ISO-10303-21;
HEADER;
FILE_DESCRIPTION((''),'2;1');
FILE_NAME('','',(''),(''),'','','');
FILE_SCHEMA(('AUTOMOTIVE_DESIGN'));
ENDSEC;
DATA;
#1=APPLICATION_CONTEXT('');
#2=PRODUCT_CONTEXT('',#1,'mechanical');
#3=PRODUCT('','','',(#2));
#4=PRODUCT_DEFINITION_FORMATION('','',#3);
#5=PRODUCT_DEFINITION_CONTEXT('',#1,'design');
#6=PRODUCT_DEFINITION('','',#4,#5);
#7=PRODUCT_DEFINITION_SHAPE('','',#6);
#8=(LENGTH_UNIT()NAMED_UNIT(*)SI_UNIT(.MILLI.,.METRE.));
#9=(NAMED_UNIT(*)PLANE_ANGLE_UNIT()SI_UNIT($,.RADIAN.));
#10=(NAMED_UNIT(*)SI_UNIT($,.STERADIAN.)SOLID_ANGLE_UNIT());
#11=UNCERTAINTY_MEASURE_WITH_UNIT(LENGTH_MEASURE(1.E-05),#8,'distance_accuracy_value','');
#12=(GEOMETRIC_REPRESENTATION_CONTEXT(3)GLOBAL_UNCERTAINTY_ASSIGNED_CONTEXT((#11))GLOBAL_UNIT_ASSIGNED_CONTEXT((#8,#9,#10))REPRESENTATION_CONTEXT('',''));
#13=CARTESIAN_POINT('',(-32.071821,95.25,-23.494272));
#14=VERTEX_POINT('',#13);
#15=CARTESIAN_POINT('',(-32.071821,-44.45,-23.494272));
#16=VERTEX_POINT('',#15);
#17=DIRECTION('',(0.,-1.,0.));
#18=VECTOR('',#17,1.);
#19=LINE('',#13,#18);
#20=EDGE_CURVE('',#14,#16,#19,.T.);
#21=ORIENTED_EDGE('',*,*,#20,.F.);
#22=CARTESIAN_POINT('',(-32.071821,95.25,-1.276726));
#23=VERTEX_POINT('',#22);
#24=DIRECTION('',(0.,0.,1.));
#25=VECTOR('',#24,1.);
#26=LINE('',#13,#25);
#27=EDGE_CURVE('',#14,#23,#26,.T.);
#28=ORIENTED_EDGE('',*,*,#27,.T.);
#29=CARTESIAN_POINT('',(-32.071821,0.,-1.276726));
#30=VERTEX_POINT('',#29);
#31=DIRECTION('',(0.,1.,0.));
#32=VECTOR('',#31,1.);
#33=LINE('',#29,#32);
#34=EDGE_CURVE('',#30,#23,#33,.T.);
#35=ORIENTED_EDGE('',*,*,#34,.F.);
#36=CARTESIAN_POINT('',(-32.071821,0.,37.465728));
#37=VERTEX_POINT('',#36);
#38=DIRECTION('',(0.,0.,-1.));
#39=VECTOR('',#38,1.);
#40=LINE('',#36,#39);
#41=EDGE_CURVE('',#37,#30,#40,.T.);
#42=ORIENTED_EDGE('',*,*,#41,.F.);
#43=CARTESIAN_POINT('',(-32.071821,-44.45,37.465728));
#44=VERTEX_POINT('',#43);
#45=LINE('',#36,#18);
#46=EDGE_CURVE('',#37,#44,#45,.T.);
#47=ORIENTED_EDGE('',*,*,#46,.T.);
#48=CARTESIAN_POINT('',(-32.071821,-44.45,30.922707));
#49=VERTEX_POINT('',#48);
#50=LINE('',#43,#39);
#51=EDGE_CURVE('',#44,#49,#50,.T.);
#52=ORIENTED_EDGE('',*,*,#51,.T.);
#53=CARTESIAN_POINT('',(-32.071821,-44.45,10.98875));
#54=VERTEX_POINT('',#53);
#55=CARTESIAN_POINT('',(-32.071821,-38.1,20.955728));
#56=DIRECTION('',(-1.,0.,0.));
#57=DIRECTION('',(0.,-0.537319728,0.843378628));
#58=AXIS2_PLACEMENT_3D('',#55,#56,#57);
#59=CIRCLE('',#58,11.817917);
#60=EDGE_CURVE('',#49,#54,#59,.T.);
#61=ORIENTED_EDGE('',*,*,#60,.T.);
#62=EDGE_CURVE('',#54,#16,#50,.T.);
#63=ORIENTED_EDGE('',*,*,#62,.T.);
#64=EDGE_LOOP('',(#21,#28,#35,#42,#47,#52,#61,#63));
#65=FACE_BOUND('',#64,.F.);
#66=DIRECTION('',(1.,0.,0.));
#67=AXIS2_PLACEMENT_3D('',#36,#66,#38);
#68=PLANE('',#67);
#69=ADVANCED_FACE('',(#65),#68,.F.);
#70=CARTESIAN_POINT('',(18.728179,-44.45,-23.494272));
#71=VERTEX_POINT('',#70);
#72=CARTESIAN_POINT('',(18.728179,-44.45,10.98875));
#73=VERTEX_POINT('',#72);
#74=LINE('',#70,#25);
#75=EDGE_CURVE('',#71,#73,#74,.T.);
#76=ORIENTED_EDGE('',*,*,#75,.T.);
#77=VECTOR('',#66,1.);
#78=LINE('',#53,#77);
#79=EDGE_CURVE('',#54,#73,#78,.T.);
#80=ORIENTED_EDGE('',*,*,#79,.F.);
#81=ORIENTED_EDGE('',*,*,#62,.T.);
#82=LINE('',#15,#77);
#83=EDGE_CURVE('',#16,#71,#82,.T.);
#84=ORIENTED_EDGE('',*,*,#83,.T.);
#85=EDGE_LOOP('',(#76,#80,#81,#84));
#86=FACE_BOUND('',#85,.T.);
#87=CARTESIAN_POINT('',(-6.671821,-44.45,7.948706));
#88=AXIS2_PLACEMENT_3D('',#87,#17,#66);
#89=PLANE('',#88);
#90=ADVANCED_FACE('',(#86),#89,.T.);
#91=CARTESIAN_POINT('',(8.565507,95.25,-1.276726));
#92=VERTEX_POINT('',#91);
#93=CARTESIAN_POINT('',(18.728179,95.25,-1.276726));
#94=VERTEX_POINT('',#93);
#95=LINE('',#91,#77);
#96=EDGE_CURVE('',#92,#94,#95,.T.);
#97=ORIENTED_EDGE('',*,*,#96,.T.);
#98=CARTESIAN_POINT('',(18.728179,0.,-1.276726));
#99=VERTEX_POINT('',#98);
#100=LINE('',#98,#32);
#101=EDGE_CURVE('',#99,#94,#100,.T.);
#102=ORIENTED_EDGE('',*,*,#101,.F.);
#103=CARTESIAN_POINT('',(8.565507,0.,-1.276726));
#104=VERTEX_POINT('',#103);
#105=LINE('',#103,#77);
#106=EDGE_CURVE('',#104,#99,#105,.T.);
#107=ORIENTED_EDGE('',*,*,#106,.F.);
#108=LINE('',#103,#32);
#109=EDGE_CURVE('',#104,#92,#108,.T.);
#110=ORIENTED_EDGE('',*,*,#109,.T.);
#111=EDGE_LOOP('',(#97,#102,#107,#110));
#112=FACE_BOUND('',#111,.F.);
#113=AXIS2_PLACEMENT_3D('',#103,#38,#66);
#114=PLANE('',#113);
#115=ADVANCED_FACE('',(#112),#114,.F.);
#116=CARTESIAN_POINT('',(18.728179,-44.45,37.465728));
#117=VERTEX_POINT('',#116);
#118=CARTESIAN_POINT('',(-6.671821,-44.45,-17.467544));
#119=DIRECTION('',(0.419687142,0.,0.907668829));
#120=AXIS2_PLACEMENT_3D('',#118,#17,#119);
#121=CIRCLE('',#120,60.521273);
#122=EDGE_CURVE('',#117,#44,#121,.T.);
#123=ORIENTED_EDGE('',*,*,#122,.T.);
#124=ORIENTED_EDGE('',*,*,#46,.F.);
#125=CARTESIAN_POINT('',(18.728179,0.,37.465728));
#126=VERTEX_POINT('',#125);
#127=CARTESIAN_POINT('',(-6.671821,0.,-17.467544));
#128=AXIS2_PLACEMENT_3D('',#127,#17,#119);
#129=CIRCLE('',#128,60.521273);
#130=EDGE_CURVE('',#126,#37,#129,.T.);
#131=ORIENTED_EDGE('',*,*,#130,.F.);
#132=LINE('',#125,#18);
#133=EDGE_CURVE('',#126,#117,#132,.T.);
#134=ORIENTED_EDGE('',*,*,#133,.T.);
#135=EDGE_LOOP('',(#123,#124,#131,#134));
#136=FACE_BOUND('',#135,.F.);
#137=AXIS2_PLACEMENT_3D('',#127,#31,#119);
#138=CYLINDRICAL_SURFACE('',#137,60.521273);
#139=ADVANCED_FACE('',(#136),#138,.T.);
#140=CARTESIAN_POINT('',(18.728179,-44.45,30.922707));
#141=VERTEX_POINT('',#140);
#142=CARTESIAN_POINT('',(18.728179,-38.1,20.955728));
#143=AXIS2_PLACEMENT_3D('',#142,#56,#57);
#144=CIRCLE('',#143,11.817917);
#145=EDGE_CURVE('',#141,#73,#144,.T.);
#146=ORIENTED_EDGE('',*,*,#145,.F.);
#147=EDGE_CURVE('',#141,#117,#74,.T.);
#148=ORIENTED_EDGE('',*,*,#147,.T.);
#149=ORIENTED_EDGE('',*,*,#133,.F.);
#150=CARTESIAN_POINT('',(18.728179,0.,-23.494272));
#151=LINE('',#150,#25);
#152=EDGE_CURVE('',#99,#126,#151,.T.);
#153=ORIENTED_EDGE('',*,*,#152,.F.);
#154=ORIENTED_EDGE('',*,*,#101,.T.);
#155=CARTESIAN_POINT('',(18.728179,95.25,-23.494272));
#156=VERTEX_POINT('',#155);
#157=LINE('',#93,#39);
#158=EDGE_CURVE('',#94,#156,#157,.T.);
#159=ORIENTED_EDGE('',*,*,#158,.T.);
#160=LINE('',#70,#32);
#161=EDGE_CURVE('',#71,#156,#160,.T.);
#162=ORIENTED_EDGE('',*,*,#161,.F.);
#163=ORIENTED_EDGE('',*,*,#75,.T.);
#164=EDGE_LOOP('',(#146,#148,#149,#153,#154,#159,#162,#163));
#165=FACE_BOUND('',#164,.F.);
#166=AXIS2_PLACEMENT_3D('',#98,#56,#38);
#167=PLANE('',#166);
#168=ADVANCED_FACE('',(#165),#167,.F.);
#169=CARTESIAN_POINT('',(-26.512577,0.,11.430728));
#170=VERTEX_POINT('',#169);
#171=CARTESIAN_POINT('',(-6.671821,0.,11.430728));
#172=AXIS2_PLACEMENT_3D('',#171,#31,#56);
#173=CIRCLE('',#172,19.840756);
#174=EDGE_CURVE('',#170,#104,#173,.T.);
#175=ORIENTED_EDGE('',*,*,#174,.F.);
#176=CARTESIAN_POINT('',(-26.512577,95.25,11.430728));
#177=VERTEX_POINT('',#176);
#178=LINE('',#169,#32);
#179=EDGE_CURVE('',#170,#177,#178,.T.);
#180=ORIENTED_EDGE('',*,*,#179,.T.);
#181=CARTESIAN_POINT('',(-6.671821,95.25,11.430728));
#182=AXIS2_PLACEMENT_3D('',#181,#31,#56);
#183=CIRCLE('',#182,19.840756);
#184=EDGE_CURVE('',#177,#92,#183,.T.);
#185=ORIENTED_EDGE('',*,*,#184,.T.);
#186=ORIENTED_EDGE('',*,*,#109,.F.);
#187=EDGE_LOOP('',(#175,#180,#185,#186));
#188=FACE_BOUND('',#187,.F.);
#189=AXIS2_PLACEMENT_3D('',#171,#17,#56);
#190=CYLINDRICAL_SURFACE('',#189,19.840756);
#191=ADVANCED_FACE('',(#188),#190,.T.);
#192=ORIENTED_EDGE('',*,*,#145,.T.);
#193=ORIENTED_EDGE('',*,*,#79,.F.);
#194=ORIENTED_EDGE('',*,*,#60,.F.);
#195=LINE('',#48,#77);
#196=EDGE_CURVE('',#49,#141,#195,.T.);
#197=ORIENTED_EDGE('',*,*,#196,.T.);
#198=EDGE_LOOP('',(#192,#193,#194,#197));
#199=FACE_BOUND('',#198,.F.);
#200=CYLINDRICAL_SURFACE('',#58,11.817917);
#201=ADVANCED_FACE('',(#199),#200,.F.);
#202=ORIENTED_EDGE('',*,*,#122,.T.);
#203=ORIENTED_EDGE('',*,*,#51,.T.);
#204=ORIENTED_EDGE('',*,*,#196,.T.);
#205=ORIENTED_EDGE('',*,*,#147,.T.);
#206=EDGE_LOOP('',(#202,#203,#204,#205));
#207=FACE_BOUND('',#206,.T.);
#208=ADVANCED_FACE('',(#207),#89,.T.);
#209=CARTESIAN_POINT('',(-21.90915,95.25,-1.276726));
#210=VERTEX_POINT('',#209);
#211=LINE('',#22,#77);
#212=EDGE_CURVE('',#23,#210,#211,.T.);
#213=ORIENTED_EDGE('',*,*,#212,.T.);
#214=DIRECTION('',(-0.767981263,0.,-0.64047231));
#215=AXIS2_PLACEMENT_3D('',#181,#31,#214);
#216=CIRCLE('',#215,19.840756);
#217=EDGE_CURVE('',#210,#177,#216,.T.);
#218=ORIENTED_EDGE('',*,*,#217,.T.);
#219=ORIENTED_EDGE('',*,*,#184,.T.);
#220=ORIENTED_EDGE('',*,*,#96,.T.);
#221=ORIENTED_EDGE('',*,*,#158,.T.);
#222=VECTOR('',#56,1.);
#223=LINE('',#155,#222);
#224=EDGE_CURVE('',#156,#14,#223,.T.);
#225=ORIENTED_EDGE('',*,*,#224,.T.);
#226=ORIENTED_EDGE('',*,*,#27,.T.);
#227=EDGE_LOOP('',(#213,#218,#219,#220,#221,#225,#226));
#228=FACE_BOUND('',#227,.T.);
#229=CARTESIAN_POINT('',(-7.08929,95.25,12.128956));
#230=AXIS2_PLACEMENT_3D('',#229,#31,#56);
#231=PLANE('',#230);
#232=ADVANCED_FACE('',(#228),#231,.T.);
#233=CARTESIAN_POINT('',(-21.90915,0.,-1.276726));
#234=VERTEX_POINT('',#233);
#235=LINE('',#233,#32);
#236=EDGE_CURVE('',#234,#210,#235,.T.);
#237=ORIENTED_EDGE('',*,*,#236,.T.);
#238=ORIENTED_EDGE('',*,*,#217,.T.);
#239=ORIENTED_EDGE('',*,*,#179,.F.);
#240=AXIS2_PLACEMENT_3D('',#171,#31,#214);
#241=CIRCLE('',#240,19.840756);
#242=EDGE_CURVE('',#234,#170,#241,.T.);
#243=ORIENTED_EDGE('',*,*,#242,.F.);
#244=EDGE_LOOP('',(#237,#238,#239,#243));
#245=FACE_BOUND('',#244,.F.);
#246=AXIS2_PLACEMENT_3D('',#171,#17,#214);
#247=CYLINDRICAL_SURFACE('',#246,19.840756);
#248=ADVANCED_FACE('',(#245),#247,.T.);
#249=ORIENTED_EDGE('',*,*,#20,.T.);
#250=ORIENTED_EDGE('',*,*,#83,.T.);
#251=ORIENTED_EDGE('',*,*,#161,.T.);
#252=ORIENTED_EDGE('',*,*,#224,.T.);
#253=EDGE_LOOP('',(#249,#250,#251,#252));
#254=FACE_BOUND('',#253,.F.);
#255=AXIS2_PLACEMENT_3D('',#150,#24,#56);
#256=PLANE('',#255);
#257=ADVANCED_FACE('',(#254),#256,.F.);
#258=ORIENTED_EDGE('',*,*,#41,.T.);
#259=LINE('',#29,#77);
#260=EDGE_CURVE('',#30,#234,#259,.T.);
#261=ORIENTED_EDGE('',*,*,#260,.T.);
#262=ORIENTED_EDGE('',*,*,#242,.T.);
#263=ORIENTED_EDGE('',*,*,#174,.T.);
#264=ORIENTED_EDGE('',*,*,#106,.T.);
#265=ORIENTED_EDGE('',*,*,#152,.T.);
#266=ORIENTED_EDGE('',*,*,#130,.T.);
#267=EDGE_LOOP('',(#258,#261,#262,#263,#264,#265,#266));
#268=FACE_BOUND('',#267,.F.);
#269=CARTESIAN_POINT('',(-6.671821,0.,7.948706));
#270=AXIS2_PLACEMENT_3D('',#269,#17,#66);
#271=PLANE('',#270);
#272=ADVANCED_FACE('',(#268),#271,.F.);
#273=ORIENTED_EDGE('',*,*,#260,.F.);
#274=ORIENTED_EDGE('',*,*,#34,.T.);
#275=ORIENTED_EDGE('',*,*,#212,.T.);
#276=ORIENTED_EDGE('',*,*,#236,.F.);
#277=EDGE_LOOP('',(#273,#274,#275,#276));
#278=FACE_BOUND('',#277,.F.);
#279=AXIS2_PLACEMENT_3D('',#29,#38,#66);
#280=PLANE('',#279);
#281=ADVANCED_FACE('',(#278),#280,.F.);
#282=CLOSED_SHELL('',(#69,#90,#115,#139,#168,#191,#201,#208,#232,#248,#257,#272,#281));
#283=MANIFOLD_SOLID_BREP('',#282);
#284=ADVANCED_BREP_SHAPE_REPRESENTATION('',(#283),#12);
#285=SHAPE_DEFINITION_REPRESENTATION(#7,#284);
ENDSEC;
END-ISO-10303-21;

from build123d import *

# Parameters (mm, degrees)
F1_DEPTH = 44.45
F3_DEPTH = 50.8
F5_DEPTH = 95.25


with BuildPart() as f1:
    # F0 (on Front) → F1 (new body)
    with BuildSketch(Plane.XZ):
        with BuildLine():
            Line((-32.0718213916, -23.4942715615), (18.7281786084, -23.4942715615))
            Line((18.7281786084, -23.4942715615), (18.7281786084, 37.4657284385))
            ThreePointArc((18.7281786084, 37.4657284385), (-6.6718213916, 43.0537284385), (-32.0718213916, 37.4657284385))
            Line((-32.0718213916, 37.4657284385), (-32.0718213916, -23.4942715615))
        make_face()
    extrude(amount=F1_DEPTH)

    # F2 (on face) → F3 (cut)
    with BuildSketch(Plane(origin=(-32.0718213916, 0, 0), x_dir=(0, -1, 0), z_dir=(-1, 0, 0))):
        with BuildLine():
            Line((44.45, 10.9887497426), (44.45, 30.9227071344))
            ThreePointArc((44.45, 30.9227071344), (26.2820829109, 20.9557284385), (44.45, 10.9887497426))
        make_face()
    extrude(amount=-F3_DEPTH, mode=Mode.SUBTRACT)

    # F4 (on face) → F5 (join)
    with BuildSketch(Plane(origin=(0, 0, 0), x_dir=(-1, 0, 0), z_dir=(0, 1, 0))):
        with BuildLine():
            ThreePointArc((26.5125769861, 11.4307284385), (-0.0859693436, 30.0851608057), (-8.5655071407, -1.276726136))
            Line((-8.5655071407, -1.276726136), (21.9091499238, -1.276726136))
            ThreePointArc((21.9091499238, -1.276726136), (25.3262537588, 4.6729377033), (26.5125769861, 11.4307284385))
        make_face()
        with BuildLine():
            Line((-18.7281786084, -1.276726136), (-18.7281786084, -23.4942715615))
            Line((-18.7281786084, -23.4942715615), (32.0718213916, -23.4942715615))
            Line((32.0718213916, -23.4942715615), (32.0718213916, -1.276726136))
            Line((32.0718213916, -1.276726136), (21.9091499238, -1.276726136))
            ThreePointArc((21.9091499238, -1.276726136), (6.6718213916, -8.410027156), (-8.5655071407, -1.276726136))
            Line((-8.5655071407, -1.276726136), (-18.7281786084, -1.276726136))
        make_face()
        with BuildLine():
            Line((21.9091499238, -1.276726136), (-8.5655071407, -1.276726136))
            ThreePointArc((-8.5655071407, -1.276726136), (6.6718213916, -8.410027156), (21.9091499238, -1.276726136))
        make_face()
    extrude(amount=F5_DEPTH)


solid = f1.part
